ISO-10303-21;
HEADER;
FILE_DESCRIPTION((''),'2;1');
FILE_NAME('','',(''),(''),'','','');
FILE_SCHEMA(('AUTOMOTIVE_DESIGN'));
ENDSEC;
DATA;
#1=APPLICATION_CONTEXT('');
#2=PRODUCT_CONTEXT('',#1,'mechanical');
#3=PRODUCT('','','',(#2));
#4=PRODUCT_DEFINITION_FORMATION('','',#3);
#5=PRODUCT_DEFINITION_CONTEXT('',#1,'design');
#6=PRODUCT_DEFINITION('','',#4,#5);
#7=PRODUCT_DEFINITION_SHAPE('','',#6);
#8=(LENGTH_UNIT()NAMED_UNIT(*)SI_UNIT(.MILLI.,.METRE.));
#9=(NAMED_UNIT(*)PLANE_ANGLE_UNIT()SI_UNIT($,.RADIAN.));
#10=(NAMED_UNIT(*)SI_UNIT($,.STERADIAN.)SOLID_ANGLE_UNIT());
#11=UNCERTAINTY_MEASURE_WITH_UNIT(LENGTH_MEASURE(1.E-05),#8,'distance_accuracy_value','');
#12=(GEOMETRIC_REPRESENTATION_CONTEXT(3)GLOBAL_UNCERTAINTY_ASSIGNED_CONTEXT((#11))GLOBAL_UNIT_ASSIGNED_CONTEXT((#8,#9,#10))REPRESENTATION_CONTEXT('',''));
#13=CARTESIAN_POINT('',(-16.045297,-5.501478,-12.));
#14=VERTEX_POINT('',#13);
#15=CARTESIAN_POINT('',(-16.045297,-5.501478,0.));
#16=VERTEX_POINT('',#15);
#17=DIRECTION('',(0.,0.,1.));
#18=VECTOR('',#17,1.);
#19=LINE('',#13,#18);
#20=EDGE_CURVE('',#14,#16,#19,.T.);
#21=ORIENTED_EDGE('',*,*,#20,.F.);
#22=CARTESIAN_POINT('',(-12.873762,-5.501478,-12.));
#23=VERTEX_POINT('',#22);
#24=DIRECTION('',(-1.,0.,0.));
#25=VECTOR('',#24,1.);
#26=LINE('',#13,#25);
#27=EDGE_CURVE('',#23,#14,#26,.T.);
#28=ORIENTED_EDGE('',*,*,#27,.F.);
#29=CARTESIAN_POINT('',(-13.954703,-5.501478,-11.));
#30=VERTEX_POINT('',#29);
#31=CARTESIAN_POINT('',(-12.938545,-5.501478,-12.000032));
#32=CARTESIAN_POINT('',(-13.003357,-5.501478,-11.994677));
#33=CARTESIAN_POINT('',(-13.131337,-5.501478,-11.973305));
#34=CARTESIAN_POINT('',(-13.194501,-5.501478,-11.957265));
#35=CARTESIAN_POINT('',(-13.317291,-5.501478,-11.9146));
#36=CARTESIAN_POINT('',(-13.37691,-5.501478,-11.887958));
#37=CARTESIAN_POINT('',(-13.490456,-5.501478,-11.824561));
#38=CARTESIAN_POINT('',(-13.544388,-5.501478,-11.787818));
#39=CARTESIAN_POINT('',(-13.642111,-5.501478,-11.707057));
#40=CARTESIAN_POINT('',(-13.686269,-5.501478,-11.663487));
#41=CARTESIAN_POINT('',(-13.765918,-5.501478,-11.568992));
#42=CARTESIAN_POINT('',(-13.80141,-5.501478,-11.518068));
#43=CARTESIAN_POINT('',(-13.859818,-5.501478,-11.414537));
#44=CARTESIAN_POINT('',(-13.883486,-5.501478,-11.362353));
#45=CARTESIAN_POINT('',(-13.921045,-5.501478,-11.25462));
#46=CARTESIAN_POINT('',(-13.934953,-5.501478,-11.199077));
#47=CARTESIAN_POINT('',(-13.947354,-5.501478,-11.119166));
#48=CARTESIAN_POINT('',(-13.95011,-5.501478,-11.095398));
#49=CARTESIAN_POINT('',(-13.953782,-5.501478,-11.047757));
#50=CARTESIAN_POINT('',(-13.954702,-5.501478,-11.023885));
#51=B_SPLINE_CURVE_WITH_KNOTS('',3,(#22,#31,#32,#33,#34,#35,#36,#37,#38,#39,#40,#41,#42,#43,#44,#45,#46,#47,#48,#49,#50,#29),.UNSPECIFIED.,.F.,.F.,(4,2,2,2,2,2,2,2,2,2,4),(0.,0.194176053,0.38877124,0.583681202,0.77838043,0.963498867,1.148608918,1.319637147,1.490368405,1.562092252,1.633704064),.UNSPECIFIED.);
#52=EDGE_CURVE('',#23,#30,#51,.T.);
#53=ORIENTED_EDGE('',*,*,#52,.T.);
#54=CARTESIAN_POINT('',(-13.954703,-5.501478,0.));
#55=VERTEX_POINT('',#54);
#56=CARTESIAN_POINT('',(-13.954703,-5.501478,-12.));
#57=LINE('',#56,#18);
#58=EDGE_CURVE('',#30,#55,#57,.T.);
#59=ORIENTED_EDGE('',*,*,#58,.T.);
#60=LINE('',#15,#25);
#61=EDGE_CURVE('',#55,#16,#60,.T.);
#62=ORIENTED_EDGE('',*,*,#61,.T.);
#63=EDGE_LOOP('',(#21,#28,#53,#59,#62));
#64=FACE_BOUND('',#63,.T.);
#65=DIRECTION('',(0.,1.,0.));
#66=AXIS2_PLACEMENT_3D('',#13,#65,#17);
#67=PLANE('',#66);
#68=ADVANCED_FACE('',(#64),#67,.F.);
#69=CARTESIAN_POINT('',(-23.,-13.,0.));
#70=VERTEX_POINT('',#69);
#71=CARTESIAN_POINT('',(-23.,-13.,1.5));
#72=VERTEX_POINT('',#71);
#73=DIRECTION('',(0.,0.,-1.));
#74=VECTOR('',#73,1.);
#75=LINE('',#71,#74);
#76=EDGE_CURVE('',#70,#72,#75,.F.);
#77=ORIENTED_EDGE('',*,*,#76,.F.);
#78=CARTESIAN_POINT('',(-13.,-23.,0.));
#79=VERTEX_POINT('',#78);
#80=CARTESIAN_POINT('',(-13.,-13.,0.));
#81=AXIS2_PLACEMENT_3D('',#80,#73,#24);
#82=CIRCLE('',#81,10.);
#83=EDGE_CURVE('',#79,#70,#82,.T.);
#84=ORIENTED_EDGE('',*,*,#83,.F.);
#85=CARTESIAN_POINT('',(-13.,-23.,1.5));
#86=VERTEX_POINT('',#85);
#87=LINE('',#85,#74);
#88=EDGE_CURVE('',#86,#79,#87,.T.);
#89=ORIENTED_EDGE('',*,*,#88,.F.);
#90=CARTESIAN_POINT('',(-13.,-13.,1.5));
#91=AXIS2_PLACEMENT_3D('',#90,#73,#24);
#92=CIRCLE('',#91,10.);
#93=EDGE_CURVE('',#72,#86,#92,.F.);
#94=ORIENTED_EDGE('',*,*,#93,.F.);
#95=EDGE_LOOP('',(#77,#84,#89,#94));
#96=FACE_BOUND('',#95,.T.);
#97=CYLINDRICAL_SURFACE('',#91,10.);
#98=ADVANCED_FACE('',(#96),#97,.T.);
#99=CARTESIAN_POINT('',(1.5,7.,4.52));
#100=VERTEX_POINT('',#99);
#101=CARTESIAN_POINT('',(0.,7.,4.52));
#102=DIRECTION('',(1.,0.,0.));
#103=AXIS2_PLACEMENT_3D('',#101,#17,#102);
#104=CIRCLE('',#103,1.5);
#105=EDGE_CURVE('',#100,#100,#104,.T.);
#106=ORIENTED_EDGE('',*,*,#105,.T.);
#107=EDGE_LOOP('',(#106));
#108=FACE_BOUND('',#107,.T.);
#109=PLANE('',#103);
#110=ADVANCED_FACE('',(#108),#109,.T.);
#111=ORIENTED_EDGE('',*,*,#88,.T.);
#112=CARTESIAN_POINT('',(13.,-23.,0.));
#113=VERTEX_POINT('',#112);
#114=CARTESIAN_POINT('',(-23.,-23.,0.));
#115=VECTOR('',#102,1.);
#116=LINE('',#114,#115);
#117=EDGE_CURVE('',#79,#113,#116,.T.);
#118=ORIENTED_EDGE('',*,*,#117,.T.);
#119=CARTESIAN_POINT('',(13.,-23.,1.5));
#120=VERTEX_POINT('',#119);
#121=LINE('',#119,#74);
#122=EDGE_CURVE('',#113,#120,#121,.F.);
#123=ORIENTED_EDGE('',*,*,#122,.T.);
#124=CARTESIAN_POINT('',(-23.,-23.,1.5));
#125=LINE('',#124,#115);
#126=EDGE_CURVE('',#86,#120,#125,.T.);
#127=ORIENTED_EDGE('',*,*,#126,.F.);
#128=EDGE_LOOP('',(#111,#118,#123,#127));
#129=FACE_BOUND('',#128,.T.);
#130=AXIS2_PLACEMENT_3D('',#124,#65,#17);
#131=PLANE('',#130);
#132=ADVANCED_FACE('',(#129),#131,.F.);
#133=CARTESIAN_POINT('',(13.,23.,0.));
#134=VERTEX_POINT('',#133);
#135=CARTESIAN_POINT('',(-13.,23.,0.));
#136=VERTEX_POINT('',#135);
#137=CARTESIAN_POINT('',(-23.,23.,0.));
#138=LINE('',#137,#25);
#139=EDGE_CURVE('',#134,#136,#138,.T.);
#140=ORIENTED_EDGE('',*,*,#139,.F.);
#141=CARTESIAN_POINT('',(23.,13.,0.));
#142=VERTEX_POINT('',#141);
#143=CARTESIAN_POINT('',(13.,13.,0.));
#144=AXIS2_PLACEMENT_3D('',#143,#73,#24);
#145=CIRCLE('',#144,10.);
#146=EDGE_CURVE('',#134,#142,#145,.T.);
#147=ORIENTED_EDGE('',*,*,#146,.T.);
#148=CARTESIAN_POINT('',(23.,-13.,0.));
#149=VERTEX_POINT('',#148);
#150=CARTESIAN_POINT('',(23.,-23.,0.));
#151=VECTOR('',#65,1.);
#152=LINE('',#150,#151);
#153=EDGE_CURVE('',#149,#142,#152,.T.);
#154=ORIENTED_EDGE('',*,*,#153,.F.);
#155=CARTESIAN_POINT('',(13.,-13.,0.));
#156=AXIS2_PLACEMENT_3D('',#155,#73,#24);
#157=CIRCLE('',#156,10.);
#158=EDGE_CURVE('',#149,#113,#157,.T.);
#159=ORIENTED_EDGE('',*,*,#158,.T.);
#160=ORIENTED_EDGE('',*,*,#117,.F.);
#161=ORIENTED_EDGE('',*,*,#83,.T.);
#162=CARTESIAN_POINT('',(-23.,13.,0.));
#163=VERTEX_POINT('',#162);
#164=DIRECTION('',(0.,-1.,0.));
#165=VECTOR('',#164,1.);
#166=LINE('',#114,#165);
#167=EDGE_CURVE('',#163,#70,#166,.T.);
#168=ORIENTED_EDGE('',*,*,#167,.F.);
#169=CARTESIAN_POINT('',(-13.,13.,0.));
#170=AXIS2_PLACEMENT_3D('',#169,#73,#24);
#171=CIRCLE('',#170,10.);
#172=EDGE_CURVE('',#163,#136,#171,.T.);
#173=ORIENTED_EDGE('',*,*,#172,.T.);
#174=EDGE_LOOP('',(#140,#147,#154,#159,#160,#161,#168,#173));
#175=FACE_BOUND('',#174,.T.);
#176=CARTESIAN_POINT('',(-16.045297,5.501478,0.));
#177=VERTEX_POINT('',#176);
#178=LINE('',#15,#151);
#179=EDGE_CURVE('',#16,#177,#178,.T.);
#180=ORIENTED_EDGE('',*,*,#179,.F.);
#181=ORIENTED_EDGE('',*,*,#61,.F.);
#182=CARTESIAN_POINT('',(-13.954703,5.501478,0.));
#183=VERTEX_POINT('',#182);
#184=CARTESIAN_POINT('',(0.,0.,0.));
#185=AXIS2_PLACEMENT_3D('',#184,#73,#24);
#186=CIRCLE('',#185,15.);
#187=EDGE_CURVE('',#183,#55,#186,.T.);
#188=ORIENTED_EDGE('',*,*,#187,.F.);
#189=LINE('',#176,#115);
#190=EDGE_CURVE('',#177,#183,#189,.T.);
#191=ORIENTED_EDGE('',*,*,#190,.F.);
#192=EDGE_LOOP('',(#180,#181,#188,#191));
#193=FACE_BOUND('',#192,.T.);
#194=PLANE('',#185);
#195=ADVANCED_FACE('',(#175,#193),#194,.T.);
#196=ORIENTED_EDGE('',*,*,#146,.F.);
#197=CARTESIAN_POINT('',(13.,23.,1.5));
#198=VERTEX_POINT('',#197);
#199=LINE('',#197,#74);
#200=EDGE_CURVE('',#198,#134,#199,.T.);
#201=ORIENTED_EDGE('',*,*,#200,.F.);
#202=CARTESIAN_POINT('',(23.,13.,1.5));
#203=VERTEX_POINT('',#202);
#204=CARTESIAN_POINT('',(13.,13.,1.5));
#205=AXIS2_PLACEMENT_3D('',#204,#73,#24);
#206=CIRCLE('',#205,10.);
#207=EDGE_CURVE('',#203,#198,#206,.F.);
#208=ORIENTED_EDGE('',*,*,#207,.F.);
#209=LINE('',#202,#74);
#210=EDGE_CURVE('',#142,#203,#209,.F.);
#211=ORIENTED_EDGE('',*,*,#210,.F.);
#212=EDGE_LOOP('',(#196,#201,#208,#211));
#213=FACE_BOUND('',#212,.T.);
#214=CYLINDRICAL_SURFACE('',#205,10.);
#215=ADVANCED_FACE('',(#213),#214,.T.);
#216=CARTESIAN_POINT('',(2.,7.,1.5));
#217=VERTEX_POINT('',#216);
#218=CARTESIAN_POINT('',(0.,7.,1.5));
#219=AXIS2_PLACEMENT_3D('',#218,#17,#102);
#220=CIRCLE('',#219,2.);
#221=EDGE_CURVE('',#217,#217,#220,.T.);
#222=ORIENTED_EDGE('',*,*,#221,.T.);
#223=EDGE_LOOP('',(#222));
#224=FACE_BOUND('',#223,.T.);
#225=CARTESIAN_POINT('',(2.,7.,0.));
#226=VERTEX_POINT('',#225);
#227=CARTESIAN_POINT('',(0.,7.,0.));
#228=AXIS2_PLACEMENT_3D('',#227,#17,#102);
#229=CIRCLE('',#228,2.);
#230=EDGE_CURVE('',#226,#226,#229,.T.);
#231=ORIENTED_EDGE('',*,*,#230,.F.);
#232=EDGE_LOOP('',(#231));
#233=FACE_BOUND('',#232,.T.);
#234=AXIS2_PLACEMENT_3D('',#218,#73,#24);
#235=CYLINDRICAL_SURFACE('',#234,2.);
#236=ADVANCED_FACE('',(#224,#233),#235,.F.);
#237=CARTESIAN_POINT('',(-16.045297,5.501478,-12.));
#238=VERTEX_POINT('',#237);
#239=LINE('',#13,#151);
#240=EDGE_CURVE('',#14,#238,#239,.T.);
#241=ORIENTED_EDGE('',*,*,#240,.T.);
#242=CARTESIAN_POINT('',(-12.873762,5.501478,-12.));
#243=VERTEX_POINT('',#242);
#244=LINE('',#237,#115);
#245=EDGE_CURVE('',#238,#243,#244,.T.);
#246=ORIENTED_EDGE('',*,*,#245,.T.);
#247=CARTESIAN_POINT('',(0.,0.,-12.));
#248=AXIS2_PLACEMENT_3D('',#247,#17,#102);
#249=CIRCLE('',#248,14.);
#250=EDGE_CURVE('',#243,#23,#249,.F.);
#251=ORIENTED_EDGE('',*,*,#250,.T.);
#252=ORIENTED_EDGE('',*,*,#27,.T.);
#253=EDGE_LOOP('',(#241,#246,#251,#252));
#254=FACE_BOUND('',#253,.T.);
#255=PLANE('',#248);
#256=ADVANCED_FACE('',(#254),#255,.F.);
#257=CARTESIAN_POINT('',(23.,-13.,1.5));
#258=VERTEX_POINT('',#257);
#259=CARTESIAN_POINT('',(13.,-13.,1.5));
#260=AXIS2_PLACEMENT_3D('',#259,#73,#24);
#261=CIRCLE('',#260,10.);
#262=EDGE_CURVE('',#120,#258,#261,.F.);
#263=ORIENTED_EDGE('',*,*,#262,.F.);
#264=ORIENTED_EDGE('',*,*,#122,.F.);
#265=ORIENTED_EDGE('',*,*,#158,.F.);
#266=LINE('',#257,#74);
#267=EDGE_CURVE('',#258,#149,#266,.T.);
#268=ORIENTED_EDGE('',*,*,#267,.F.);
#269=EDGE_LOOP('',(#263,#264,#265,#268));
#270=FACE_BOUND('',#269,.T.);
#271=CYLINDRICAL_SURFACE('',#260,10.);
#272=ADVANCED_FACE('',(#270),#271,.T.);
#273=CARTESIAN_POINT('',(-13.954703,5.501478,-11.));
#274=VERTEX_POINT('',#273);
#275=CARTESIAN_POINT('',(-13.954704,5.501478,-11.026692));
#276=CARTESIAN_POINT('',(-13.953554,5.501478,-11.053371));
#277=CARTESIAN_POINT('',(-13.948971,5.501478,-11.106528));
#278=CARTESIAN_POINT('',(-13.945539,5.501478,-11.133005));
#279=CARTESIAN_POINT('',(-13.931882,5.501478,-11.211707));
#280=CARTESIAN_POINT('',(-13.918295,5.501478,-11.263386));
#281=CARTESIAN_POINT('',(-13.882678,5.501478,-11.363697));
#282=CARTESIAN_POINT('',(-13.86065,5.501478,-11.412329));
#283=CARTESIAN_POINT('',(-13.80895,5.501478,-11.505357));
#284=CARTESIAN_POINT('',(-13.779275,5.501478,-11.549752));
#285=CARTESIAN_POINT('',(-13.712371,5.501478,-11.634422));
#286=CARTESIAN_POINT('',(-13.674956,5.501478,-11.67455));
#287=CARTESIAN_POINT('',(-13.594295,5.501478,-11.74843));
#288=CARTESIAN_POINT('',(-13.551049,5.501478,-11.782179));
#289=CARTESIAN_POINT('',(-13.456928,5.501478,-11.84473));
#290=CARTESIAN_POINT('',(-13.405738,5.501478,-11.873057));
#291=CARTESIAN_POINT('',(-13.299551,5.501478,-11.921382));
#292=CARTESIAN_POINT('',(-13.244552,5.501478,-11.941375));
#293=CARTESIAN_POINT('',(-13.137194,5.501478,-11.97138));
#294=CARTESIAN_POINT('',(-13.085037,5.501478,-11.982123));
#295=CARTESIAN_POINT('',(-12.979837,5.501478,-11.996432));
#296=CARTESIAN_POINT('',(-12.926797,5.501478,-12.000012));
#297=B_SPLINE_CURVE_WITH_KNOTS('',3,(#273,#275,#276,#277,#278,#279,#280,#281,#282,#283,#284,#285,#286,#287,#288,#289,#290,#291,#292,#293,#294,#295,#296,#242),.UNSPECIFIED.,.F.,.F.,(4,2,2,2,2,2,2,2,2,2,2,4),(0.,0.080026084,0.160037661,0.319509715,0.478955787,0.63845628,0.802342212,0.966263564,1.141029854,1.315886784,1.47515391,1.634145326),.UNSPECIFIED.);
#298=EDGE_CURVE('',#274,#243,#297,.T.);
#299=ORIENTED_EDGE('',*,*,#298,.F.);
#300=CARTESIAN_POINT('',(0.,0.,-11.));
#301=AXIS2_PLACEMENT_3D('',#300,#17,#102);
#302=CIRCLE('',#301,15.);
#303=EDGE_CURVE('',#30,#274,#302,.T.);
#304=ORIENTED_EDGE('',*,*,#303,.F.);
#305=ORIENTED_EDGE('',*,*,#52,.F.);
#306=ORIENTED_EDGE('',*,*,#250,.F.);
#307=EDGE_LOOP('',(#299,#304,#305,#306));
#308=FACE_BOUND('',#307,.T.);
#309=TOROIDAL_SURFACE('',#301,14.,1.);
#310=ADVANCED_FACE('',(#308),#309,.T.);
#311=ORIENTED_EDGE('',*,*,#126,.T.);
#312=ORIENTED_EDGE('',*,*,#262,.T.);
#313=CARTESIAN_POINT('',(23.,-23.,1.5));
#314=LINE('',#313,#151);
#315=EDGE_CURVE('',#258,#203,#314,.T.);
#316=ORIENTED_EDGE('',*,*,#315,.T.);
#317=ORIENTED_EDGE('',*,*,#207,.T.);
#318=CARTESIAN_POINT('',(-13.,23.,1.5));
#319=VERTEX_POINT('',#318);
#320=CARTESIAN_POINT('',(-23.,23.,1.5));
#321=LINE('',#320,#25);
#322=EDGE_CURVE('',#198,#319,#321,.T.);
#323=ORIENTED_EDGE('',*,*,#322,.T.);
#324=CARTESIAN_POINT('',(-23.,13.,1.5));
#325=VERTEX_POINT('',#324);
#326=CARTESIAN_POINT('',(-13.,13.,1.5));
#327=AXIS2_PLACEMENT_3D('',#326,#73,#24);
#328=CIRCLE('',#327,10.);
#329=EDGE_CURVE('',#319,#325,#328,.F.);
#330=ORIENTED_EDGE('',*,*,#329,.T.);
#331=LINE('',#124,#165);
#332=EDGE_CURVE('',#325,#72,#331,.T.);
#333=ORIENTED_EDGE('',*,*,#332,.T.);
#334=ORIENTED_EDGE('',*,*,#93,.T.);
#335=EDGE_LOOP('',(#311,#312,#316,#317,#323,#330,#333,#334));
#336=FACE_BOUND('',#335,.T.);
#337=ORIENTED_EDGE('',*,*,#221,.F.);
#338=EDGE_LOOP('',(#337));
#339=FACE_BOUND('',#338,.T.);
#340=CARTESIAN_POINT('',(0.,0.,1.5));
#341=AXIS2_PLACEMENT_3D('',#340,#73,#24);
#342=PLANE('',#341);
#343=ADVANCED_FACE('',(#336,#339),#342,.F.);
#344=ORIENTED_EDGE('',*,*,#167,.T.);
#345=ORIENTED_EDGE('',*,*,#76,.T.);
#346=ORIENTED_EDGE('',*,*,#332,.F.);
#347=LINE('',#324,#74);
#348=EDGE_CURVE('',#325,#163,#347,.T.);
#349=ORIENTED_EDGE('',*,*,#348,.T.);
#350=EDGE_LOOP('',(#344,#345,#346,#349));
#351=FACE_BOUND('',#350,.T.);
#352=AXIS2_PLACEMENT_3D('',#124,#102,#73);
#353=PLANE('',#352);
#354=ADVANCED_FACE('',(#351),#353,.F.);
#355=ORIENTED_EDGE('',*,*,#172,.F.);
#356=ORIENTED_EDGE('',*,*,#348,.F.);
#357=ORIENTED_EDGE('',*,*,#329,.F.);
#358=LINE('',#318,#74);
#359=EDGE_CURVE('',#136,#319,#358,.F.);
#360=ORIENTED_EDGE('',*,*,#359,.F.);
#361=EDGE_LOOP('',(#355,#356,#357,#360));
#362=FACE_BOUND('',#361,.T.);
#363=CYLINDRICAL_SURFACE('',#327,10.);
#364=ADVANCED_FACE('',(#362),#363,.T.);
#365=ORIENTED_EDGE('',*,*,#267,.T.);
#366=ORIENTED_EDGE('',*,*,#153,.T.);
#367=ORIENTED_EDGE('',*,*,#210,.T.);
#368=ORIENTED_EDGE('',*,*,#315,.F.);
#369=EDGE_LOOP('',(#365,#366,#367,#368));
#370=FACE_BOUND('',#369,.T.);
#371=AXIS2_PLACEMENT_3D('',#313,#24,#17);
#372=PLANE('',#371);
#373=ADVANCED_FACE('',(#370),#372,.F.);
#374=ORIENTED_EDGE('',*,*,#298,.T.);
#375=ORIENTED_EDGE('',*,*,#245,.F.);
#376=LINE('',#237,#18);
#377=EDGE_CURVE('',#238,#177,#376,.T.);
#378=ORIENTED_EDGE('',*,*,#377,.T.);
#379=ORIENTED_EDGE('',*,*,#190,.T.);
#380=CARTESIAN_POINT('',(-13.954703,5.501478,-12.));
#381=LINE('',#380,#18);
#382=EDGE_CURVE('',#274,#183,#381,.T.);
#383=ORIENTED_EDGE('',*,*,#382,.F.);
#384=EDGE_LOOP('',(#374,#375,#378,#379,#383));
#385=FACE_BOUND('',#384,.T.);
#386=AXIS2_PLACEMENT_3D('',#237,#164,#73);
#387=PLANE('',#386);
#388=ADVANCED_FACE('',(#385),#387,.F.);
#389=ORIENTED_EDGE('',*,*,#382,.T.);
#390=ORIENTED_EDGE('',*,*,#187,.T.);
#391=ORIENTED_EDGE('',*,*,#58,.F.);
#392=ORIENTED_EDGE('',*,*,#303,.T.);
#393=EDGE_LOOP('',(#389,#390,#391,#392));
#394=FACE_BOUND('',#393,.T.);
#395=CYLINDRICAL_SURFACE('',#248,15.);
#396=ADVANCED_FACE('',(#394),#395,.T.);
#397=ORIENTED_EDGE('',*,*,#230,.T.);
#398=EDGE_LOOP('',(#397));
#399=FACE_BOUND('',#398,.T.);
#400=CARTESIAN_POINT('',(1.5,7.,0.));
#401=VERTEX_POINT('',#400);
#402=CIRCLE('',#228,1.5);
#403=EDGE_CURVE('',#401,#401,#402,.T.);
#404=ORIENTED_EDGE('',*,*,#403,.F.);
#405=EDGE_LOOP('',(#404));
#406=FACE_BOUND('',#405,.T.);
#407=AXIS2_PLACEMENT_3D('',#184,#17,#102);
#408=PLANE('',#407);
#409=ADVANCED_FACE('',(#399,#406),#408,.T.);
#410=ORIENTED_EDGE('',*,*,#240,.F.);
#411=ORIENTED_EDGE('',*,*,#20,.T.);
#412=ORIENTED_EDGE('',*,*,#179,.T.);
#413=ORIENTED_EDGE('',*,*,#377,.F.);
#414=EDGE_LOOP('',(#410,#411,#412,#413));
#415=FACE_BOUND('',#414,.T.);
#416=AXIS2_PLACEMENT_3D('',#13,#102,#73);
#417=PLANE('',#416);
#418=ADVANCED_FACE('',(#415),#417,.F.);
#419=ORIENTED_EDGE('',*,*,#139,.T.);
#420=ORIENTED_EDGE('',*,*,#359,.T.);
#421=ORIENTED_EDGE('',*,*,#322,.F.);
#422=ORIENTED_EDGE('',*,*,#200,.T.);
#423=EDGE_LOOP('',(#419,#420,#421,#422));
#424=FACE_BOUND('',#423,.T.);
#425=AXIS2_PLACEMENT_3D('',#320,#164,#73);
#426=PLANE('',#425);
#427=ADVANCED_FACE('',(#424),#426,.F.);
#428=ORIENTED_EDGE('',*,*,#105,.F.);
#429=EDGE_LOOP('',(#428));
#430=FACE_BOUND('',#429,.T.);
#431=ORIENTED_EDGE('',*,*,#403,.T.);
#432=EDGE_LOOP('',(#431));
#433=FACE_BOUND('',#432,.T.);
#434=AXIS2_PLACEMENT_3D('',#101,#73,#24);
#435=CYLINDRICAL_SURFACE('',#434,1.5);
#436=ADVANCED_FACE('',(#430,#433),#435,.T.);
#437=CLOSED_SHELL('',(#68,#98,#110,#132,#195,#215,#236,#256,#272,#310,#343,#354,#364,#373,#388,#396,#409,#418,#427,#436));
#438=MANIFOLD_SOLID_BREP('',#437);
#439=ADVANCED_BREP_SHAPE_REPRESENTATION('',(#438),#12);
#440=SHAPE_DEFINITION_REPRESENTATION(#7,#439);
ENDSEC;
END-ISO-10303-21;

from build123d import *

# Parameters (mm, degrees)
SKETCH1_W           = 46
SKETCH1_H           = 46
SKETCH1_R           = 2
BOSS_EXTRUDE1_DEPTH = 1.5
BOSS_EXTRUDE2_DEPTH = 12
FILLET1_R           = 1
SKETCH4_R           = 1.5
BOSS_EXTRUDE3_DEPTH = 4.52
FILLET2_R           = 10


with BuildPart() as part:
    # Sketch1 → Boss-Extrude1 (new body)
    with BuildSketch(Plane.XY):
        Rectangle(SKETCH1_W, SKETCH1_H)
        with Locations((0, 7)):
            Circle(SKETCH1_R, mode=Mode.SUBTRACT)
    extrude(amount=BOSS_EXTRUDE1_DEPTH)

    # Sketch3 → Boss-Extrude2 (add)
    with BuildSketch(Plane(origin=(0, 0, 0), x_dir=(-1, 0, 0), z_dir=(0, 0, -1))):
        with BuildLine():
            Line((16.045296796, -5.501477845), (13.954703204, -5.501477845))
            ThreePointArc((13.954703204, -5.501477845), (11.306350983, -9.857303254), (7.352141129, -13.074632722))
            ThreePointArc((7.352141129, -13.074632722), (0, -15), (-7.352141129, -13.074632722))
            ThreePointArc((-7.352141129, -13.074632722), (-9.857303254, 11.306350983), (13.954703204, 5.501477845))
            Line((13.954703204, 5.501477845), (16.045296796, 5.501477845))
            Line((16.045296796, 5.501477845), (16.045296796, -5.501477845))
        make_face()
    extrude(amount=BOSS_EXTRUDE2_DEPTH)

    # Fillet1
    fillet1_edges = [part.edges().sort_by_distance(p)[0] for p in [
        (15, 0, -12),
    ]]
    fillet(fillet1_edges, radius=FILLET1_R)

    # Sketch4 → Boss-Extrude3 (add)
    with BuildSketch(Plane.XY):
        with Locations((0, 7)):
            Circle(SKETCH4_R)
    extrude(amount=BOSS_EXTRUDE3_DEPTH)

    # Fillet2
    fillet2_edges = [part.edges().sort_by_distance(p)[0] for p in [
        (23, -23, 0.75),
        (-23, -23, 0.75),
        (-23, 23, 0.75),
        (23, 23, 0.75),
    ]]
    fillet(fillet2_edges, radius=FILLET2_R)


solid = part.part
